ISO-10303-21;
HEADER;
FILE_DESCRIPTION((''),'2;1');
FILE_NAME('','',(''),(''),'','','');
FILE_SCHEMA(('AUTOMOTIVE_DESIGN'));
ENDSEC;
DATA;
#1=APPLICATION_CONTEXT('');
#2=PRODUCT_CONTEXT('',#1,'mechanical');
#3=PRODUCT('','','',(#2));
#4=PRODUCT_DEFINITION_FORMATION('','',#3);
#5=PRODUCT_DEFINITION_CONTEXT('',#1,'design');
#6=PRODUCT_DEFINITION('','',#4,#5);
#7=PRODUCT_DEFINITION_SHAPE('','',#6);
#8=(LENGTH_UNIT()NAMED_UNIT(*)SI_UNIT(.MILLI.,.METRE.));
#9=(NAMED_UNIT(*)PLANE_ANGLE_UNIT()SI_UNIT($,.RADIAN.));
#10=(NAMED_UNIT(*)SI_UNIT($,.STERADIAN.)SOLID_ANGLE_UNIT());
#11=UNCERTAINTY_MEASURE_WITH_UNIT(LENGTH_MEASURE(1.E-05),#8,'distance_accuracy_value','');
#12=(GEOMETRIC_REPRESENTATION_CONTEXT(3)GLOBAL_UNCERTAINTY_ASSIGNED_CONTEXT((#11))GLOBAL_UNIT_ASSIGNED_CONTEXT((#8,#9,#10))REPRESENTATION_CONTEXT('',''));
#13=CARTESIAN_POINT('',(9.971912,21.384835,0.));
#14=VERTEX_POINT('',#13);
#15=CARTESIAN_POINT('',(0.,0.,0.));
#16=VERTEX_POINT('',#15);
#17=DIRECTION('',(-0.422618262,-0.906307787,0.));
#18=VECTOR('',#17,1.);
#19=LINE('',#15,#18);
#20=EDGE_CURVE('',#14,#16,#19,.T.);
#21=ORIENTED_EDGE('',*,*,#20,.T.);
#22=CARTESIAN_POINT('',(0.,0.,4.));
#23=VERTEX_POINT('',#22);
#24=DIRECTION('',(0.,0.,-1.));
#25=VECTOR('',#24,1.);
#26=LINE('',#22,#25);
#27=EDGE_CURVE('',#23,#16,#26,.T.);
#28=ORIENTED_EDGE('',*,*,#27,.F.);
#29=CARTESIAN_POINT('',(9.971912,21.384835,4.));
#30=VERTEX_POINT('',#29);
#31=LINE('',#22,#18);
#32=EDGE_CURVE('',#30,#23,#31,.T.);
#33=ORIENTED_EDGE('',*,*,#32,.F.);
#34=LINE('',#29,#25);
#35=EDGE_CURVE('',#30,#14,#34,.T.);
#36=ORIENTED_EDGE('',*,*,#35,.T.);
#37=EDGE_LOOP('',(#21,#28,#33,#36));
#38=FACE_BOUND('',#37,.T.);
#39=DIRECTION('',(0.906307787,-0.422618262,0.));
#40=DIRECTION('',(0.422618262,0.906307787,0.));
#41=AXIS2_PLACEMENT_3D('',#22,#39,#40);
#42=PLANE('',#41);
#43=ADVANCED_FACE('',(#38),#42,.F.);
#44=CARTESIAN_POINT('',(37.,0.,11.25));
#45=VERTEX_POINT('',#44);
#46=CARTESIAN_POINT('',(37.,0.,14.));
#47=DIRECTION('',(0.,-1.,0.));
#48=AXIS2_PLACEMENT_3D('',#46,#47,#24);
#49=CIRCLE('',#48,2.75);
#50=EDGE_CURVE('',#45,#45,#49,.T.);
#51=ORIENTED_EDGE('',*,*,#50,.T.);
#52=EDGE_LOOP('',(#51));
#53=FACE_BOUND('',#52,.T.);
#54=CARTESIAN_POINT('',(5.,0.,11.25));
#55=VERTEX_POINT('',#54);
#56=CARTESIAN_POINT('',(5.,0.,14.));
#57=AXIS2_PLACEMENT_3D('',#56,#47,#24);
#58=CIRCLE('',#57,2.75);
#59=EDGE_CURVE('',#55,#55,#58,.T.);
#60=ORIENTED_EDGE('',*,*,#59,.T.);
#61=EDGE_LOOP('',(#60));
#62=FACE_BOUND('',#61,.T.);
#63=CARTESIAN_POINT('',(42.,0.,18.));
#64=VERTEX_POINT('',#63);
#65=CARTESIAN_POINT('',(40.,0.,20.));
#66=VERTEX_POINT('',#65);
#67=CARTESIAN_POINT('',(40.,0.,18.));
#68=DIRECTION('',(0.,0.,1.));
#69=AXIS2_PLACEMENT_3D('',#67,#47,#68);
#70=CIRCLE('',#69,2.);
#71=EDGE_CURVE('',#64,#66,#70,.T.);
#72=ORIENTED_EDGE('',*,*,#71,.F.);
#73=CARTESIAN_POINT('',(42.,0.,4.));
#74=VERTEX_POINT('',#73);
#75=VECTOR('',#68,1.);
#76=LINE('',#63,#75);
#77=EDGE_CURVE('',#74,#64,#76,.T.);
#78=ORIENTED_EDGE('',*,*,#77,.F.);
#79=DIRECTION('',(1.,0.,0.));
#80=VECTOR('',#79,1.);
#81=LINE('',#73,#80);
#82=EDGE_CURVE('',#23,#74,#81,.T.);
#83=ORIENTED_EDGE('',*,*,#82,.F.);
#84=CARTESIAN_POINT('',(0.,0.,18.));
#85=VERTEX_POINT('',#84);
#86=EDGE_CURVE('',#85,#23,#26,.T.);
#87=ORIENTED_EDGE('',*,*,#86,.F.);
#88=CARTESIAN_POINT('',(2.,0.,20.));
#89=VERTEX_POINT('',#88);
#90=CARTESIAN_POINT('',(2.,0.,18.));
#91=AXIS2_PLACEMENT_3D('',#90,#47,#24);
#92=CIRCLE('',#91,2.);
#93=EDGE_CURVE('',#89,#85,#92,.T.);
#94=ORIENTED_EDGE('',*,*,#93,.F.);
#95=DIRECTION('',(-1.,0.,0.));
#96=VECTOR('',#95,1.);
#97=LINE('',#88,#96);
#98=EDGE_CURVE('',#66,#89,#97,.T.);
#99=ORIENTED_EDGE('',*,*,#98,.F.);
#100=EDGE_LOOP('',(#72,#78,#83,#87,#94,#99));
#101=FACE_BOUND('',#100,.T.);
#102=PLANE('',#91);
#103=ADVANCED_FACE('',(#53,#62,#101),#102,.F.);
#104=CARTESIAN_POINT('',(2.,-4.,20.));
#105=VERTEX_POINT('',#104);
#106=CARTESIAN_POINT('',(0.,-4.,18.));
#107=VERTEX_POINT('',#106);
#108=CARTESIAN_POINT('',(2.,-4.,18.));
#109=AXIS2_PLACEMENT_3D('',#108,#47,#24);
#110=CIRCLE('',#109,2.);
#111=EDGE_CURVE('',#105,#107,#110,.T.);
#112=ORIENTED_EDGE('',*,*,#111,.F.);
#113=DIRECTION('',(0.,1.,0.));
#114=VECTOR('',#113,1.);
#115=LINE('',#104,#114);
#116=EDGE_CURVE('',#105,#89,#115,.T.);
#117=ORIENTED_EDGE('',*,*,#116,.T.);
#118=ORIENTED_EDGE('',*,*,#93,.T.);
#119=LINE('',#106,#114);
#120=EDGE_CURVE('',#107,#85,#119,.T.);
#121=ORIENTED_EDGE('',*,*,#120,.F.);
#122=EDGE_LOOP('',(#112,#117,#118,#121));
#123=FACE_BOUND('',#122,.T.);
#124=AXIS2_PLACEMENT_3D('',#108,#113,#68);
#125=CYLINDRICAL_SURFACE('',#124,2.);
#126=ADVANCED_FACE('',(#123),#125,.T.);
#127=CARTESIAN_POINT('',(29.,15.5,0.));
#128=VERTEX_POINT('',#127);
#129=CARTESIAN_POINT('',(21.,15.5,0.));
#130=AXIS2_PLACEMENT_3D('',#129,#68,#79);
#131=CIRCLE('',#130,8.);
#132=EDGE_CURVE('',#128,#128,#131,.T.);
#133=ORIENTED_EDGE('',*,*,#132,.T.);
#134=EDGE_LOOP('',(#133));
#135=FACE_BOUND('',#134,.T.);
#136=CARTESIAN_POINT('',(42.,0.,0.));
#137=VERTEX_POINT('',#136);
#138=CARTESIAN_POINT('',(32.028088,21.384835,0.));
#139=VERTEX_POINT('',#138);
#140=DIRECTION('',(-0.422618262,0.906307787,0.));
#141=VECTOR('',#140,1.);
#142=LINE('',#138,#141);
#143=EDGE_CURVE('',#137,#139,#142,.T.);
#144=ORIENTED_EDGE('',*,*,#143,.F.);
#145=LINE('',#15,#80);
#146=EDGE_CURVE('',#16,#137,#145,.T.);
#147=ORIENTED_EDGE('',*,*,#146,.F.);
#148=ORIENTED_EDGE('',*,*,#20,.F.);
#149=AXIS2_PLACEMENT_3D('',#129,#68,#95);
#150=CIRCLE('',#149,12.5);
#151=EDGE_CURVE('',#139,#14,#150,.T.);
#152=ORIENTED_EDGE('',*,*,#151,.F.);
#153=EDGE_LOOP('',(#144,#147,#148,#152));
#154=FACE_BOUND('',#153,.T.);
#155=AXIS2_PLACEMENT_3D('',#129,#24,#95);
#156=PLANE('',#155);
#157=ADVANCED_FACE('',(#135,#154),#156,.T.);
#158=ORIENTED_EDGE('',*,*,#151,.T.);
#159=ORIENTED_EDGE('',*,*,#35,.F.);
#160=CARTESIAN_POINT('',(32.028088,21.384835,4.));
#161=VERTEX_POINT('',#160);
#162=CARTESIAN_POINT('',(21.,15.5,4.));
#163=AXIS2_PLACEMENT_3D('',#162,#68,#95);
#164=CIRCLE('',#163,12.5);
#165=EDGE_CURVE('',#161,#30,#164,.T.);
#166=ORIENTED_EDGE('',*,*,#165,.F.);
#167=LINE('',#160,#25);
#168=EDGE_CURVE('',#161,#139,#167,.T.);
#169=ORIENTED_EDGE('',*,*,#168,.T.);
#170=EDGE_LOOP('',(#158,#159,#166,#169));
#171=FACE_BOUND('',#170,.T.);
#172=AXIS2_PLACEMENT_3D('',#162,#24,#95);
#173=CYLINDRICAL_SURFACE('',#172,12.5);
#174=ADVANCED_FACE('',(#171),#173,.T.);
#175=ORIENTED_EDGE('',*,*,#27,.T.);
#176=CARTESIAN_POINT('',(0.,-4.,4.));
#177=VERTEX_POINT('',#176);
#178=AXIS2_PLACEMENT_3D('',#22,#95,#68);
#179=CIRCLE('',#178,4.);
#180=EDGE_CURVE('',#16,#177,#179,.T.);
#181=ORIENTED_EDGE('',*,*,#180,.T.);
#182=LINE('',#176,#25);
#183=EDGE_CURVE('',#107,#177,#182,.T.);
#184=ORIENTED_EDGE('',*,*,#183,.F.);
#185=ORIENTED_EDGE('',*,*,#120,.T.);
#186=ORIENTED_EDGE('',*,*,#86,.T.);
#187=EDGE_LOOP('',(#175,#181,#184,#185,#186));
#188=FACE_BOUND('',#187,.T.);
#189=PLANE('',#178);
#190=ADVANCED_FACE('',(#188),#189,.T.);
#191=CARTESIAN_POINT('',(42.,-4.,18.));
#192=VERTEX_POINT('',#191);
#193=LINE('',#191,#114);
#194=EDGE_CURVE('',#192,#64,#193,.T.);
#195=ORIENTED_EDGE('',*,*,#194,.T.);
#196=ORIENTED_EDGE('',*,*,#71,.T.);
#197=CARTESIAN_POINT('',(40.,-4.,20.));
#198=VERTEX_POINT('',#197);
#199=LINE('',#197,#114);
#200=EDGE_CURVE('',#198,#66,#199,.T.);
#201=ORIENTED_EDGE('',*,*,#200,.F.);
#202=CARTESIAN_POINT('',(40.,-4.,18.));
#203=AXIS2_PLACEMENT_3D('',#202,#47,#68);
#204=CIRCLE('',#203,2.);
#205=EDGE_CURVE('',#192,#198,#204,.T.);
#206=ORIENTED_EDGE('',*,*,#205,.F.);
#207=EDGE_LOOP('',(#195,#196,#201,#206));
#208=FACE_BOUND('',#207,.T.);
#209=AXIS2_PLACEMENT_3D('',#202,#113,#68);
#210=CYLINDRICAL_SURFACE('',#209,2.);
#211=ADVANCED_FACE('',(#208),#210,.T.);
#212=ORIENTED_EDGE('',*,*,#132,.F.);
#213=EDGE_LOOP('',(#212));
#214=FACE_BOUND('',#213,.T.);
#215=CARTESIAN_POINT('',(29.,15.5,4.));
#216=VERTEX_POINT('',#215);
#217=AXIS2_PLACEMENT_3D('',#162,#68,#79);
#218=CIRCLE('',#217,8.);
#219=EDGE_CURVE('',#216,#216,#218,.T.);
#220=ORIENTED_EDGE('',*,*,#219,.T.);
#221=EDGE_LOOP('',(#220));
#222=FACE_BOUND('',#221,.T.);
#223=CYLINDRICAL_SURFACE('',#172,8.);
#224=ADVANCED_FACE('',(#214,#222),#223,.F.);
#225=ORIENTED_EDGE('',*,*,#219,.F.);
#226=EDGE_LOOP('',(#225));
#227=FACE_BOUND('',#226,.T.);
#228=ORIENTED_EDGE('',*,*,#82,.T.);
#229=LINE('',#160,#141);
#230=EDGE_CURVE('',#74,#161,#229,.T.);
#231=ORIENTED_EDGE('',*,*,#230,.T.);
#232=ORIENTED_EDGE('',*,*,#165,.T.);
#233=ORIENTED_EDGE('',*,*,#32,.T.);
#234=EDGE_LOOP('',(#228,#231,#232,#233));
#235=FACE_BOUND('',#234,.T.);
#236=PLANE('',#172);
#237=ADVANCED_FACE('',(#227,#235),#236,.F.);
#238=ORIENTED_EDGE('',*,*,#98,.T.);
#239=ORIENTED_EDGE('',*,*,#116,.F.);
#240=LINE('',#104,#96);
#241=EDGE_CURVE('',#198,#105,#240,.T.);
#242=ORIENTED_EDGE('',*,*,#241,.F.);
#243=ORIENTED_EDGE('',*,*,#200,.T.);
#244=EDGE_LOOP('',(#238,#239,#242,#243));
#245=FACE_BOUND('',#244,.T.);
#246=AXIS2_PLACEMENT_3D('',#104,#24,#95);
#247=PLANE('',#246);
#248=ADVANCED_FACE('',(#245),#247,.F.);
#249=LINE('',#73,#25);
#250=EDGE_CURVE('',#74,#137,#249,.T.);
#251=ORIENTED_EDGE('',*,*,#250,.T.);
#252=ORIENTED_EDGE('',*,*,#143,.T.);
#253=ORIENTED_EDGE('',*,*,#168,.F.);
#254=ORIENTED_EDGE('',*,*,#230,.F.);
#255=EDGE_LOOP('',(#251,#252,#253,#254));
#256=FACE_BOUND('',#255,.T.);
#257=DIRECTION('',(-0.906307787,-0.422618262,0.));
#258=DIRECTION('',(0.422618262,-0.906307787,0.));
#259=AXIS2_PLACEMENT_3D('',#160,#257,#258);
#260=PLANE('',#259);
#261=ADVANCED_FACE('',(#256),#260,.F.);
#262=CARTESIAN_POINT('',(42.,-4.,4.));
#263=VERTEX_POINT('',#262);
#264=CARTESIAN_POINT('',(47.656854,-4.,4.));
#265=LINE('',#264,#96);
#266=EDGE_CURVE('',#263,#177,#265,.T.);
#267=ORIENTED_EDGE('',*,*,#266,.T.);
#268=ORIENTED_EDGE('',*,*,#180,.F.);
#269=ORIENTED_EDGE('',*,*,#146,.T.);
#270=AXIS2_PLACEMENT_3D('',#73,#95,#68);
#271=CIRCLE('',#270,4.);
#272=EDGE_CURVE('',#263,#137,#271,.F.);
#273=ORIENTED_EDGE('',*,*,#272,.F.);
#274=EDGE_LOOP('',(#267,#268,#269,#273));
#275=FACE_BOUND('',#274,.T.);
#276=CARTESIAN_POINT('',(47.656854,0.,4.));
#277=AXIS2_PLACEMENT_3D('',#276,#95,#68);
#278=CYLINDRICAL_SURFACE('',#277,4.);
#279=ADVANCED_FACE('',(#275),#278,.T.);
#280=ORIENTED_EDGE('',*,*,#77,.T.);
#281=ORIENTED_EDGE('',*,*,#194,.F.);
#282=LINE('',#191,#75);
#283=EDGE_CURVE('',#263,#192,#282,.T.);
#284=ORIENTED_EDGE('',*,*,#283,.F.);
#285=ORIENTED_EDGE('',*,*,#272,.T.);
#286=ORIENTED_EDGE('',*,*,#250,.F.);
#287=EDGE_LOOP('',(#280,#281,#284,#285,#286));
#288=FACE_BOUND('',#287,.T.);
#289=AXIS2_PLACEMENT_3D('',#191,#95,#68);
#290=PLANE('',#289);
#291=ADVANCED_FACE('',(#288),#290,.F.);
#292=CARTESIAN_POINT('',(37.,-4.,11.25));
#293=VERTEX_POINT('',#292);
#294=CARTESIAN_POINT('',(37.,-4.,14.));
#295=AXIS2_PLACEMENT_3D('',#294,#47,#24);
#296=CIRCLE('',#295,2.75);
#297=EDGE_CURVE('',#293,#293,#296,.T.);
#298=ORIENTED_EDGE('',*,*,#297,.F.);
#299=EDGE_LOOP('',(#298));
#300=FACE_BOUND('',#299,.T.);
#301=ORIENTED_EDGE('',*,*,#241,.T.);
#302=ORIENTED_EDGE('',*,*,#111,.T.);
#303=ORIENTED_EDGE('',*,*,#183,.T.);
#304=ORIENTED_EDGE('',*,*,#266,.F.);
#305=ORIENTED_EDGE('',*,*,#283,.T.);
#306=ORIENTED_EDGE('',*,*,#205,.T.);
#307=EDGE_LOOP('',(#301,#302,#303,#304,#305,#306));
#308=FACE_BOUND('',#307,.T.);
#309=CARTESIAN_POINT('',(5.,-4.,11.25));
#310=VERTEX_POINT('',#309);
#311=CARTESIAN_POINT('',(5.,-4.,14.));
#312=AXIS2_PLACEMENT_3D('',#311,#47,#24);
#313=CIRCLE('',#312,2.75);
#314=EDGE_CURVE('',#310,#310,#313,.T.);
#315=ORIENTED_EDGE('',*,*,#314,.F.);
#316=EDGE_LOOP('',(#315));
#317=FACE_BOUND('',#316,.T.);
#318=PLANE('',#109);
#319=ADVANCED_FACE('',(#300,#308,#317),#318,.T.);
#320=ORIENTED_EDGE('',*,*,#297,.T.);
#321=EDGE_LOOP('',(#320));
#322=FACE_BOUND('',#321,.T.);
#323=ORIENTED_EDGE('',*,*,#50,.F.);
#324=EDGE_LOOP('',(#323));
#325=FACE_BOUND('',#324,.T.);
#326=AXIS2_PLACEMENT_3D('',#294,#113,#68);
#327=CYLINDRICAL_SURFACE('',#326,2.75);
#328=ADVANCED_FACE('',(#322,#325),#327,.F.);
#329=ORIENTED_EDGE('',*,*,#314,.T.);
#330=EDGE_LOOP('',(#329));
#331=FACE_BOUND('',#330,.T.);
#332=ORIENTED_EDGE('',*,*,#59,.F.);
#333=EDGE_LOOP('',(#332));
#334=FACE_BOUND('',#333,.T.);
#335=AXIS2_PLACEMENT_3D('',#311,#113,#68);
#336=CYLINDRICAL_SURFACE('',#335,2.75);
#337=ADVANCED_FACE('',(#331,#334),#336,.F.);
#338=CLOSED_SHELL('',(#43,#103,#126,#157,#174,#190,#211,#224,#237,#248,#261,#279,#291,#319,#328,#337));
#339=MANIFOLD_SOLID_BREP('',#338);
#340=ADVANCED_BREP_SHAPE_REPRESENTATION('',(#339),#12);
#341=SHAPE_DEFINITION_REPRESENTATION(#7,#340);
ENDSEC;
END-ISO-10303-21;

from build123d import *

# Parameters (mm, degrees)
SKETCH1_R           = 8
BOSS_EXTRUDE1_DEPTH = 4
SKETCH2_R           = 2.75
BOSS_EXTRUDE2_DEPTH = 4
BOSS_EXTRUDE3_DEPTH = 42


with BuildPart() as part:
    # Sketch1 → Boss-Extrude1 (new body)
    with BuildSketch(Plane.XY):
        with BuildLine():
            Line((0, 0), (9.971912122, 21.384834556))
            ThreePointArc((9.971912122, 21.384834556), (21, 28), (32.028087878, 21.384834556))
            Line((32.028087878, 21.384834556), (42, 0))
            Line((42, 0), (0, 0))
        make_face()
        with Locations((21, 15.5)):
            Circle(SKETCH1_R, mode=Mode.SUBTRACT)
    extrude(amount=BOSS_EXTRUDE1_DEPTH)



with BuildPart() as body_2:
    # Sketch2 → Boss-Extrude2 (new body)
    with BuildSketch(Plane(origin=(0, 0, 0), x_dir=(-1, 0, 0), z_dir=(0, -1, 0))):
        with BuildLine():
            Line((0, -4), (0, -18))
            ThreePointArc((0, -18), (-0.585786438, -19.414213562), (-2, -20))
            Line((-2, -20), (-40, -20))
            ThreePointArc((-40, -20), (-41.414213562, -19.414213562), (-42, -18))
            Line((-42, -18), (-42, -4))
            Line((-42, -4), (0, -4))
        make_face()
        with Locations(Location((-37, -14, 0), (0, 0, 90))):
            Circle(SKETCH2_R, mode=Mode.SUBTRACT)
        with Locations(Location((-5, -14, 0), (0, 0, 90))):
            Circle(SKETCH2_R, mode=Mode.SUBTRACT)
    extrude(amount=BOSS_EXTRUDE2_DEPTH)


with BuildPart() as part_1:
    add(part.part)

    add(body_2.part)  # Boss-Extrude3 merges body 2
    # Sketch3 → Boss-Extrude3 (add)
    with BuildSketch(Plane.ZY):
        with BuildLine():
            Line((4, 0), (0, 0))
            ThreePointArc((0, 0), (1.171572875, -2.828427125), (4, -4))
            Line((4, -4), (4, 0))
        make_face()
    extrude(amount=-BOSS_EXTRUDE3_DEPTH)


solid = part_1.part
